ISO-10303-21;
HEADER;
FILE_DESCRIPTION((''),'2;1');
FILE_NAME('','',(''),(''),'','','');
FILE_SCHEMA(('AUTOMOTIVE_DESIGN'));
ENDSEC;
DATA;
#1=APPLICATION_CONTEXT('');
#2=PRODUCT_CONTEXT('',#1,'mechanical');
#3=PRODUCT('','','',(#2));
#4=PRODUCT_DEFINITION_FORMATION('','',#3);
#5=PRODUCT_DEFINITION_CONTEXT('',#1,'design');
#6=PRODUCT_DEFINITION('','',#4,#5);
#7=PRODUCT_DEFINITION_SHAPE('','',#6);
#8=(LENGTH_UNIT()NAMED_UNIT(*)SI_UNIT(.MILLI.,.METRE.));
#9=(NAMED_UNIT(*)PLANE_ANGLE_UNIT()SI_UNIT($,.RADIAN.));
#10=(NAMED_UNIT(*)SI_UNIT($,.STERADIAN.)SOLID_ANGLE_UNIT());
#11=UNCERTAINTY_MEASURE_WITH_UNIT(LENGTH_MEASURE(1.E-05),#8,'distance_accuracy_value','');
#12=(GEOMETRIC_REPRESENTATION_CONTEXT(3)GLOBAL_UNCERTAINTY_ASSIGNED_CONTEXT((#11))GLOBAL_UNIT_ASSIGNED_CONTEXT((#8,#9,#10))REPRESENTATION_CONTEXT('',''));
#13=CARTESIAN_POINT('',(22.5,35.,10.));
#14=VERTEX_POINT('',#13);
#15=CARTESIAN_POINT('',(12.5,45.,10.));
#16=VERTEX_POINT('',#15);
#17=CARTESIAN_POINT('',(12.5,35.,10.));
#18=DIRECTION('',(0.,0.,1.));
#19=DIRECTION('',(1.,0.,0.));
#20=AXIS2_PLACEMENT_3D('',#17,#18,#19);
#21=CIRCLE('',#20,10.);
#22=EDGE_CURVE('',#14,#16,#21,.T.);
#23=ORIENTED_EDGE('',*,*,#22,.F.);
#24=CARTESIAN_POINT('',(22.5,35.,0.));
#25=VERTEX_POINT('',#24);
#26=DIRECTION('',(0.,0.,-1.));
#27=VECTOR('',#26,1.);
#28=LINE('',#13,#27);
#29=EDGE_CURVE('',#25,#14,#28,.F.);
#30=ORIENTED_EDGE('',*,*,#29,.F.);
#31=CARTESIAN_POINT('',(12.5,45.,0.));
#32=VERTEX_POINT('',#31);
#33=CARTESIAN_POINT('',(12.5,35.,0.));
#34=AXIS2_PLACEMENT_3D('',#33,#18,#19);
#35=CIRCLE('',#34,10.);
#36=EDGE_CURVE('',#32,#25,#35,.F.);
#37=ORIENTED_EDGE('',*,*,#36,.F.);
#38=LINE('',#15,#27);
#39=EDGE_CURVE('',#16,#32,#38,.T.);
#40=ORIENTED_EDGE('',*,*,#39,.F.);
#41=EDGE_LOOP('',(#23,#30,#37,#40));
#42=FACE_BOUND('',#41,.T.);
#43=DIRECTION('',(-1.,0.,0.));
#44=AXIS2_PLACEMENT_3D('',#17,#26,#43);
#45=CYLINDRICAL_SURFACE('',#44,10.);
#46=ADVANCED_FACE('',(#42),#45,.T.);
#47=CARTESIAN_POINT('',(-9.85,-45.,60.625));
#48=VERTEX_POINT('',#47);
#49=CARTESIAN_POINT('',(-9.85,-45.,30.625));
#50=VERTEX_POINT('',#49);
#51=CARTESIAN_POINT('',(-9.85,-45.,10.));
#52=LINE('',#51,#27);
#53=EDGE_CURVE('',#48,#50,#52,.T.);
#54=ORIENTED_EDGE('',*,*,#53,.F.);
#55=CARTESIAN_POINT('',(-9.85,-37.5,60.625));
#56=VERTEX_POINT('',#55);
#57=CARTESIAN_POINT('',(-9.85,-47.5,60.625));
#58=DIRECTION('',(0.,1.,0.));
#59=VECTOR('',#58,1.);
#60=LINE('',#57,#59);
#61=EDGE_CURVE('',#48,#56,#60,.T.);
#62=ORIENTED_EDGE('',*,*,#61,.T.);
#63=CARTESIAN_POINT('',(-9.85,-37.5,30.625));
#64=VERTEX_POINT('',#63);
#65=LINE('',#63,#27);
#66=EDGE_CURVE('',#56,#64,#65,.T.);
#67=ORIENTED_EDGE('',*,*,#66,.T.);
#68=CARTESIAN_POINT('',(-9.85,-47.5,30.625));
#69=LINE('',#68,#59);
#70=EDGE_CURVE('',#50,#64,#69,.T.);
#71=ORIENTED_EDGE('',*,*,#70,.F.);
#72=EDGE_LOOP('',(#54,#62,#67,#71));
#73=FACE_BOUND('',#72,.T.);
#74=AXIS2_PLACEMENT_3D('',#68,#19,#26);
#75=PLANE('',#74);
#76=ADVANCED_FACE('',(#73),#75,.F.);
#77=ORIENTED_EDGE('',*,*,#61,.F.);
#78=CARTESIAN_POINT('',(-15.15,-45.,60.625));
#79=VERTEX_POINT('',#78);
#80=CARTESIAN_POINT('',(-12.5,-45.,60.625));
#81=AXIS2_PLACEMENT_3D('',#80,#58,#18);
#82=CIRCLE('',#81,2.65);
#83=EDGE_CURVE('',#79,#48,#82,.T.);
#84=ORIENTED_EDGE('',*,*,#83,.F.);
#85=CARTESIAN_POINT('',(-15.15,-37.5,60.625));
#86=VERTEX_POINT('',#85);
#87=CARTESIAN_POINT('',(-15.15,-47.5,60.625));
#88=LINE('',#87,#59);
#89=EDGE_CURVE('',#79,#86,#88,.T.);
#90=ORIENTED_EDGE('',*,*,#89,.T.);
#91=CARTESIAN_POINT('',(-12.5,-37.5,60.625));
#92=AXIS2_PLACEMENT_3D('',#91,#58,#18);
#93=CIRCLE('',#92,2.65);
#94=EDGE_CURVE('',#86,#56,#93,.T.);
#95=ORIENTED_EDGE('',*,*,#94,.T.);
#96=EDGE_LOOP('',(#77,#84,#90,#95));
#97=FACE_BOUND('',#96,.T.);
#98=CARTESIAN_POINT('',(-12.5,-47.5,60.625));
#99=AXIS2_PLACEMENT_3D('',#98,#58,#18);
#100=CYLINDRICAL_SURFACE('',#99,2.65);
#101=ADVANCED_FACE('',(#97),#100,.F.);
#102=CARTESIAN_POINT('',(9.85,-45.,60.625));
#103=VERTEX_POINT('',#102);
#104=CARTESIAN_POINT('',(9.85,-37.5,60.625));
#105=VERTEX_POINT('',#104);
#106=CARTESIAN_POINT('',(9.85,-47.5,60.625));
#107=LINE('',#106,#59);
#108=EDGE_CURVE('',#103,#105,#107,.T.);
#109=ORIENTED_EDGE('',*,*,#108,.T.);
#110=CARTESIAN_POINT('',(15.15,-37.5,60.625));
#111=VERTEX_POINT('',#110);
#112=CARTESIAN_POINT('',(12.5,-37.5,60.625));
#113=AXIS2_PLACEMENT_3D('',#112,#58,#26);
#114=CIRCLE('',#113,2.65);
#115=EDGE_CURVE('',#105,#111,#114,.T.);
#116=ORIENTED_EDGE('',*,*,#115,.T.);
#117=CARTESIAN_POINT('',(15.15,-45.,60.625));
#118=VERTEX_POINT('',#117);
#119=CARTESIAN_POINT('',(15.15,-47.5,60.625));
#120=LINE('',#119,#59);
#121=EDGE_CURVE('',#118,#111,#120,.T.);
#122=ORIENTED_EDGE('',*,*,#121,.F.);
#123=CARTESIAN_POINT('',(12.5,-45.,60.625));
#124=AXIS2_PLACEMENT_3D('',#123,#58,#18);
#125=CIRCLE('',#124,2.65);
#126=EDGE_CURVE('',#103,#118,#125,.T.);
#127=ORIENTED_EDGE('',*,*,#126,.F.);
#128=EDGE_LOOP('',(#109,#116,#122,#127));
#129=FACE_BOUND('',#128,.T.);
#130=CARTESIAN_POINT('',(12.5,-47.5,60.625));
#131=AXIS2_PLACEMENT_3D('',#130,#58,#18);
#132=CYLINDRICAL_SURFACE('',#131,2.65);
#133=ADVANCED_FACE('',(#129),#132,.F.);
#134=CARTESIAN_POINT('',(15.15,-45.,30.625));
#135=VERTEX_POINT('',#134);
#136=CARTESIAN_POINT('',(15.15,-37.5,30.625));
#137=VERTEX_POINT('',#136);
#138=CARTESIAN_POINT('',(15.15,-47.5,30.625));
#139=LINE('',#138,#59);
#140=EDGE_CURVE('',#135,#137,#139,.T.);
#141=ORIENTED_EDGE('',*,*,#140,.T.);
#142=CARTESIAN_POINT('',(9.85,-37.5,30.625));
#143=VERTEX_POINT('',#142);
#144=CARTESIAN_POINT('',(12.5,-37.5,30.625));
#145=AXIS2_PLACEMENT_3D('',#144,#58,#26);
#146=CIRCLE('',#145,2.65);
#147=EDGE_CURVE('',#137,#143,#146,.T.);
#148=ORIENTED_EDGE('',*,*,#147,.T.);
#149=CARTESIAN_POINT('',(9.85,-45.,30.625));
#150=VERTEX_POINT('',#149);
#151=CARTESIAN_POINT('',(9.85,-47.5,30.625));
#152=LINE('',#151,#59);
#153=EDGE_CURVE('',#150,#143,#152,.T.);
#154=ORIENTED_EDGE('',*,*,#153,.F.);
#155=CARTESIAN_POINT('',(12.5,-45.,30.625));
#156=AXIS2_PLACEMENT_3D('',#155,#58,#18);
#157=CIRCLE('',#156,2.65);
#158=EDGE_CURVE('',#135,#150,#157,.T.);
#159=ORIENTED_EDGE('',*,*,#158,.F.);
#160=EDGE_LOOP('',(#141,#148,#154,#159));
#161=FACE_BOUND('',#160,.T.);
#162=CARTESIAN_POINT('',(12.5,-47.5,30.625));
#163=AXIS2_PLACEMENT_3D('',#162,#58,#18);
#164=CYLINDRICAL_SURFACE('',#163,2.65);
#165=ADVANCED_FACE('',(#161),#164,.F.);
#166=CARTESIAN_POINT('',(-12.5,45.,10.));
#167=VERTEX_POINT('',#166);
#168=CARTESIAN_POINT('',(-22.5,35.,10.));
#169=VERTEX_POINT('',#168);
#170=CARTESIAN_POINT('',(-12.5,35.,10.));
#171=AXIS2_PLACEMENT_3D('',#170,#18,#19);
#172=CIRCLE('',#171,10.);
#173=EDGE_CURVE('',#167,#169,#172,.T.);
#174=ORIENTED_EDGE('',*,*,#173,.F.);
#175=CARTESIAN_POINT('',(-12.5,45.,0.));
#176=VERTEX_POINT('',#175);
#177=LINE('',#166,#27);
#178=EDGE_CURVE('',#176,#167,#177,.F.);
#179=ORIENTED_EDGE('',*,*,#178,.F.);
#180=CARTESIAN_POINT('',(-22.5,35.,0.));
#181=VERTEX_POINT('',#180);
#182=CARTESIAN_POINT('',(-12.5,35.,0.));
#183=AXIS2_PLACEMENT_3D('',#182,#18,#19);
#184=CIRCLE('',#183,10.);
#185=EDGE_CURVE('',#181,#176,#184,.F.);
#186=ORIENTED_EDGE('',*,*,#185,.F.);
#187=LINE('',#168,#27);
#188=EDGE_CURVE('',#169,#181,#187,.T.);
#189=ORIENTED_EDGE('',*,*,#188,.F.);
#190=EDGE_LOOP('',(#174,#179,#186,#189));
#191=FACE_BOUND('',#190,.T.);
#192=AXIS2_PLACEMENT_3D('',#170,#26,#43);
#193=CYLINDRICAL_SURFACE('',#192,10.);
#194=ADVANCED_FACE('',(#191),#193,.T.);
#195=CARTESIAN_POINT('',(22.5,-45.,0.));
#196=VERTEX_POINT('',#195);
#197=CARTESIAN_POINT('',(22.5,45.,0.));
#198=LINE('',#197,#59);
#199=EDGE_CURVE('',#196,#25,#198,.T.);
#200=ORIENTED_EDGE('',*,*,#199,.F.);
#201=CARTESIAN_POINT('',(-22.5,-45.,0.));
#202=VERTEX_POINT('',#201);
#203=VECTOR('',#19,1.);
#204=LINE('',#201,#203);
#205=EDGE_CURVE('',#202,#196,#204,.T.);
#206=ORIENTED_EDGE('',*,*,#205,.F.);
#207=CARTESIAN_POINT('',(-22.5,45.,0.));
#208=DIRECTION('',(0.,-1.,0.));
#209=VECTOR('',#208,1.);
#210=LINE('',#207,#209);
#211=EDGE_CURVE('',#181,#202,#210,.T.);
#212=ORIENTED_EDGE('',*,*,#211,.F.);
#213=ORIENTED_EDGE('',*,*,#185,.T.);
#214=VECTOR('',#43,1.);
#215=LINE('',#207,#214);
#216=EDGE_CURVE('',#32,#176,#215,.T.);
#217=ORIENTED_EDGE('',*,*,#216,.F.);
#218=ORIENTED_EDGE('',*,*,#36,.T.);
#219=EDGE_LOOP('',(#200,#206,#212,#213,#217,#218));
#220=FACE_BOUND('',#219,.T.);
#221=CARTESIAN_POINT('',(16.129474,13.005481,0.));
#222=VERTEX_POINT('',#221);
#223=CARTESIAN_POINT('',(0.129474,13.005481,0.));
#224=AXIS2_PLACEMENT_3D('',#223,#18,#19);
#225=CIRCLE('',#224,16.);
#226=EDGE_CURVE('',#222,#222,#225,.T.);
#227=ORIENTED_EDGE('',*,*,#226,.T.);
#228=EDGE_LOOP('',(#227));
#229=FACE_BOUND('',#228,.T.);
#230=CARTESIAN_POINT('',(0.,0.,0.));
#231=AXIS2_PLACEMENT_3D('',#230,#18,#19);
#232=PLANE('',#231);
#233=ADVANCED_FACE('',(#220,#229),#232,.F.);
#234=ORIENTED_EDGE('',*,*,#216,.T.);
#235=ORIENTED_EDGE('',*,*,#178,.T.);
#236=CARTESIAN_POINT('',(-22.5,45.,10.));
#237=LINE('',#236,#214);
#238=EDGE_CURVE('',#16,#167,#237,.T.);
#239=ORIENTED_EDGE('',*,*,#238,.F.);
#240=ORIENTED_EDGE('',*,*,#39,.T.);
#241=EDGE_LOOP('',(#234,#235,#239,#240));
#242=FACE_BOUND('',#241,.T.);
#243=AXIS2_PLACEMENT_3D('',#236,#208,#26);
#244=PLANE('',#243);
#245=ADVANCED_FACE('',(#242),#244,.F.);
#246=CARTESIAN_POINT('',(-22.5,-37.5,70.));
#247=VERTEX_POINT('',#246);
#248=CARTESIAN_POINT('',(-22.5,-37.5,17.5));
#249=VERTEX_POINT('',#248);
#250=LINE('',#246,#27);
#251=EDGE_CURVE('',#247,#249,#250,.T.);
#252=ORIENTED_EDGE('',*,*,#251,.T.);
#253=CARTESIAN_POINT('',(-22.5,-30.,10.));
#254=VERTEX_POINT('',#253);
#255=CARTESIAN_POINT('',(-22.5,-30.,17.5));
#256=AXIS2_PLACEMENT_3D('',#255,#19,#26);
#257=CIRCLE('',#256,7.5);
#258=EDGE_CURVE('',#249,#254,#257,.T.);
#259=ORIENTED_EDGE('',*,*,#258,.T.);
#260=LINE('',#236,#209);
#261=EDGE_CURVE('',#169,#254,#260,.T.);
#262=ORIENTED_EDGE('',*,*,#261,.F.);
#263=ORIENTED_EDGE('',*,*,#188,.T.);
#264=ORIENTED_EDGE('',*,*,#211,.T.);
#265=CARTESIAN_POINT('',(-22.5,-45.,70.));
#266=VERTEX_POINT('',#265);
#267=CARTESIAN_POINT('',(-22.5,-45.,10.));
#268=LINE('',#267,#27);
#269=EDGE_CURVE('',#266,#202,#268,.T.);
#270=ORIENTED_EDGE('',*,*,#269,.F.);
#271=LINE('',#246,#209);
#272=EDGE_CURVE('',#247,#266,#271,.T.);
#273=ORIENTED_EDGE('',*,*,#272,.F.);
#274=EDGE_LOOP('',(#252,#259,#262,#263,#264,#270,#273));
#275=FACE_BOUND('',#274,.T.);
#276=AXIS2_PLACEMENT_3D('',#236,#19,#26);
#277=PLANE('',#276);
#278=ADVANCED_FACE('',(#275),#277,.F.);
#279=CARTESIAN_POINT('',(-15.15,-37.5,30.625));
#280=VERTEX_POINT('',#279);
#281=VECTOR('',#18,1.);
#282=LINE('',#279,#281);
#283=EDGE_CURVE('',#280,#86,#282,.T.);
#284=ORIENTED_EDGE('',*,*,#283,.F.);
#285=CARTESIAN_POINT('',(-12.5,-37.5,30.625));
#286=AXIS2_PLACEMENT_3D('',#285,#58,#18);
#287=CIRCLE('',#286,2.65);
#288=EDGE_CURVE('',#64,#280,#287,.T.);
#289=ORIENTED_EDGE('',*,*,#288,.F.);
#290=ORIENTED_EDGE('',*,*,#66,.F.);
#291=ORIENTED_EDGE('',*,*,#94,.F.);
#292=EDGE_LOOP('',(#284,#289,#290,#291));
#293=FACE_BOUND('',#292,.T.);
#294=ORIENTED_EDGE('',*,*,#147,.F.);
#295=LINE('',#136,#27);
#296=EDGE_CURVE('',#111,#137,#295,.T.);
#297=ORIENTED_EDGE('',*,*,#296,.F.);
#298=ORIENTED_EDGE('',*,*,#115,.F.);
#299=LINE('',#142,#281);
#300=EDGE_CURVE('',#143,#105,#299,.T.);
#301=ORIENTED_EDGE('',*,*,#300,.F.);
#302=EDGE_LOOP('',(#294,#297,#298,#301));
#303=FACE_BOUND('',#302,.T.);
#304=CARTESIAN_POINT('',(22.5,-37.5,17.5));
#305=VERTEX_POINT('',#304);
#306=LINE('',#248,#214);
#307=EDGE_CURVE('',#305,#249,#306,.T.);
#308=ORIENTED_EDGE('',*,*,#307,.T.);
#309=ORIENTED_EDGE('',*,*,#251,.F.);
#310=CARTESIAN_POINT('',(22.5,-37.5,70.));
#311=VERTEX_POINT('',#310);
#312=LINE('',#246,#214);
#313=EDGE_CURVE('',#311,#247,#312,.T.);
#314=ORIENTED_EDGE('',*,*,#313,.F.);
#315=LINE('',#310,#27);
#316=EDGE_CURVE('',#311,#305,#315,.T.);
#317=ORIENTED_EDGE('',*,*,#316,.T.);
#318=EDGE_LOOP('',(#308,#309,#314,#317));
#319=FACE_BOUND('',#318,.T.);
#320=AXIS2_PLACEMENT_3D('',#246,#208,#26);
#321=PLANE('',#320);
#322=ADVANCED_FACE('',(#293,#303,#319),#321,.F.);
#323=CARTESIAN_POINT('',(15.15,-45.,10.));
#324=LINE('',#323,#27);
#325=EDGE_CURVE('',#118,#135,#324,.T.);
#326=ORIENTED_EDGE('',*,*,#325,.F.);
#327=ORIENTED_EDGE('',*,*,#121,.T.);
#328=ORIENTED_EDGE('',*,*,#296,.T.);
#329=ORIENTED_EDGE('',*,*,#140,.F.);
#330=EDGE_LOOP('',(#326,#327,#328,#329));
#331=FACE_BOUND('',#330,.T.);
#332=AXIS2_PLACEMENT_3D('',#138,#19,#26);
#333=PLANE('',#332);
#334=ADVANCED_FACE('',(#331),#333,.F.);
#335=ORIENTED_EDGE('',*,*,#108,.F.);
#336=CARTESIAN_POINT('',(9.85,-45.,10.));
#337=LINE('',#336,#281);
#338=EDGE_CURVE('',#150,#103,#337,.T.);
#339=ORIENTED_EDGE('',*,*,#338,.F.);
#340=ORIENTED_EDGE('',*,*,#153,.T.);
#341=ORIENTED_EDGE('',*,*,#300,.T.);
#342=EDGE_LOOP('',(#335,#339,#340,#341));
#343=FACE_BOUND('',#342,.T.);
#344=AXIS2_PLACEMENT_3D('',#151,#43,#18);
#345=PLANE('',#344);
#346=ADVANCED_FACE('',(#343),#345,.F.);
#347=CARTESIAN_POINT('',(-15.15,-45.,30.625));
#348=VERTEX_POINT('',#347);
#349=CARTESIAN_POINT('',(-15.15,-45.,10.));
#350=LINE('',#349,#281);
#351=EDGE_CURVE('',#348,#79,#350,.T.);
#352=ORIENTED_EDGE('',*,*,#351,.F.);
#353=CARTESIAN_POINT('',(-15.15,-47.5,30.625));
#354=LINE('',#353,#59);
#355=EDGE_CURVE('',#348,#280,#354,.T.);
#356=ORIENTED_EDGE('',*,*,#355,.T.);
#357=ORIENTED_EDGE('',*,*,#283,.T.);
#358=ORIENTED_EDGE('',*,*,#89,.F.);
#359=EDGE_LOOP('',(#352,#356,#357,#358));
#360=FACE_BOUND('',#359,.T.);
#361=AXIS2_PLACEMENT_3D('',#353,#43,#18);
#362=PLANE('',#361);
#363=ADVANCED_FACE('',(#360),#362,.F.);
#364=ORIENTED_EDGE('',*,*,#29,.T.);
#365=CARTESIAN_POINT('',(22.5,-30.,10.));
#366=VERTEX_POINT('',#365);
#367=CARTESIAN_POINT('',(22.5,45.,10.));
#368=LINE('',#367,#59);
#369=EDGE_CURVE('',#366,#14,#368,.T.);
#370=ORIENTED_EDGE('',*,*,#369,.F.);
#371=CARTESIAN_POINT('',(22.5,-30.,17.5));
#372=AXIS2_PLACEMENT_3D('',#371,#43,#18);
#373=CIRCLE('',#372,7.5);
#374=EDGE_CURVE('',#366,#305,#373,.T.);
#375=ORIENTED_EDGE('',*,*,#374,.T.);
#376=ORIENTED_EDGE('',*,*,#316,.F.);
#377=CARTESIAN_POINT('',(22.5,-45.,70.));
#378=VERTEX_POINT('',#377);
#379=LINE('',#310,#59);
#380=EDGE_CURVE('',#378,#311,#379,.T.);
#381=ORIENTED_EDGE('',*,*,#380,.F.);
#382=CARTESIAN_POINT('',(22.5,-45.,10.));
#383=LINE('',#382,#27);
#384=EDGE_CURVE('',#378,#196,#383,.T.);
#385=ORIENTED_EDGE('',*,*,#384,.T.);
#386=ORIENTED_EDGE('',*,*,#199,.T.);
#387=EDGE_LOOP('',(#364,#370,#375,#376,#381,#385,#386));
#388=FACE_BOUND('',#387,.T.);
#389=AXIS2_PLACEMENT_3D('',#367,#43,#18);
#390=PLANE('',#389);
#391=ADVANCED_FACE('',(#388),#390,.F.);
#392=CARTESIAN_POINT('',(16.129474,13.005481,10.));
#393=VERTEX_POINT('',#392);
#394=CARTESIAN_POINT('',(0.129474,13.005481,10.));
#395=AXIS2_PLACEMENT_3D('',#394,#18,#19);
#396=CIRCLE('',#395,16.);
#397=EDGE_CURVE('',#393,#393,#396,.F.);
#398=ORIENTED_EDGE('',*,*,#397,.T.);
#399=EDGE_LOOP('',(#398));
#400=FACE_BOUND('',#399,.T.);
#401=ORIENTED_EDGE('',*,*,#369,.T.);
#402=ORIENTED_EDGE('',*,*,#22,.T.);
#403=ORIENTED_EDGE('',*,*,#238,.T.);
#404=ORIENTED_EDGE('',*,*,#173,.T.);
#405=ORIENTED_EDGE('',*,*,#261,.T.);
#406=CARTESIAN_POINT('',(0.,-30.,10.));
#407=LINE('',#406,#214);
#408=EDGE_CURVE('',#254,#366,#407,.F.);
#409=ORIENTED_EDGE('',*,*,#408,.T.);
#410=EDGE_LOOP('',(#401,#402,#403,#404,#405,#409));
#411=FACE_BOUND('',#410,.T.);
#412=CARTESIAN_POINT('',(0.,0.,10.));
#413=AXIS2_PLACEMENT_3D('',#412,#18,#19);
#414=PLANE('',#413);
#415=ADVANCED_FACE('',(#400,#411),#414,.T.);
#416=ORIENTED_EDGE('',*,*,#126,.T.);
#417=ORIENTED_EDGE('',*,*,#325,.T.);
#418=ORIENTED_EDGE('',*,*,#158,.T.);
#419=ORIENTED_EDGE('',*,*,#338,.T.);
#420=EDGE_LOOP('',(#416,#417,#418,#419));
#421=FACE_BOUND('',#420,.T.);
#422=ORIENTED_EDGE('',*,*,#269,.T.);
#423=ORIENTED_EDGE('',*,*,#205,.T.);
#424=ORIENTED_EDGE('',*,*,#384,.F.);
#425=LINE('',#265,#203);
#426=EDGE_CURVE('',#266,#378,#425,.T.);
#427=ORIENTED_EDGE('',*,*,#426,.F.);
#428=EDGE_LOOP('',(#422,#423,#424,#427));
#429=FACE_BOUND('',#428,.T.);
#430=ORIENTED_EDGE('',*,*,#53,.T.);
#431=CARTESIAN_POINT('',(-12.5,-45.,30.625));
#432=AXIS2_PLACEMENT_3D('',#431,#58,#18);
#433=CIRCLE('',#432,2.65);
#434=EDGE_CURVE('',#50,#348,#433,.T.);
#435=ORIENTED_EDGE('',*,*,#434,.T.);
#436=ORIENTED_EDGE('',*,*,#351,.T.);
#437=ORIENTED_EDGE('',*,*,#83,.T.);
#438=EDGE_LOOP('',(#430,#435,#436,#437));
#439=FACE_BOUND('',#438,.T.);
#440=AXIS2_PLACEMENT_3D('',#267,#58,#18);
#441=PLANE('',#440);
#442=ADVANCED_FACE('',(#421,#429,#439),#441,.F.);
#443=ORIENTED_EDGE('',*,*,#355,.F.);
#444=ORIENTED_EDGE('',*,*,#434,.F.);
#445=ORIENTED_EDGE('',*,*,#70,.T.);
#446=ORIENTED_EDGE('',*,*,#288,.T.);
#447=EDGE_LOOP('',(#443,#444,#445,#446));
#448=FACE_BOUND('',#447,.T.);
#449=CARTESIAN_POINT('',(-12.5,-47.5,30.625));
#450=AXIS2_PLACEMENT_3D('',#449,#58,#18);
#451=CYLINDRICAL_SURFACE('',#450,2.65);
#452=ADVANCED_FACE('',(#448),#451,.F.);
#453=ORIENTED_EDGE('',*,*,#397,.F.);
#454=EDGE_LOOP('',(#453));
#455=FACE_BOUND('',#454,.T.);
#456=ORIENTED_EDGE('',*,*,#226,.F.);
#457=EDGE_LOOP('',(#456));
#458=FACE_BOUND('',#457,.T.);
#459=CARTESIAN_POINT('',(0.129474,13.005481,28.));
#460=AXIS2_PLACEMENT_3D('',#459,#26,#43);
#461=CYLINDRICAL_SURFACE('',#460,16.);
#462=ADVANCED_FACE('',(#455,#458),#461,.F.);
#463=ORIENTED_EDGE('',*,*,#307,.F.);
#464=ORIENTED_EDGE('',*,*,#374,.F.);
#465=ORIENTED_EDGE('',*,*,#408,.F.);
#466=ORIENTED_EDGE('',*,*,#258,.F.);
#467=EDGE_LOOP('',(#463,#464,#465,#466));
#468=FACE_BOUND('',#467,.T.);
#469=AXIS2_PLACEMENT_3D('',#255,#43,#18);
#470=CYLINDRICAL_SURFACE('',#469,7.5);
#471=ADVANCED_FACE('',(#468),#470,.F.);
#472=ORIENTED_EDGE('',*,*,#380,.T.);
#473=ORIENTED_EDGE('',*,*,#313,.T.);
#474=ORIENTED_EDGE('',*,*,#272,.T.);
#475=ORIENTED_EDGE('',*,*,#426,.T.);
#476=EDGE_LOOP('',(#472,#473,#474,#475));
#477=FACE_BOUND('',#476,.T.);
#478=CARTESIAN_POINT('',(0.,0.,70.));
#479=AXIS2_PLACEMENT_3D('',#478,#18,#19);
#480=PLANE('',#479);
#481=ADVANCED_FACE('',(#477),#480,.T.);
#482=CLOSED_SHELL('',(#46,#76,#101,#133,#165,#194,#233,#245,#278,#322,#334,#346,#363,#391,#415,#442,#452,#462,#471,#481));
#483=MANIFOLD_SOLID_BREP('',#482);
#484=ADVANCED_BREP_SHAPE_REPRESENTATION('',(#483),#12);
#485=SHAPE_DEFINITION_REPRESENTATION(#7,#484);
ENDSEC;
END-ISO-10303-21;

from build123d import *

# Parameters (mm, degrees)
SKETCH1_W           = 45
SKETCH1_H           = 90
BOSS_EXTRUDE1_DEPTH = 10
SKETCH2_R           = 16
CUT_EXTRUDE1_DEPTH  = 28
FILLET1_R           = 10
SKETCH3_W           = 45
SKETCH3_H           = 7.5
BOSS_EXTRUDE2_DEPTH = 60
FILLET2_R           = 7.5
CUT_EXTRUDE2_DEPTH  = 10


with BuildPart() as part:
    # Sketch1 → Boss-Extrude1 (new body)
    with BuildSketch(Plane.XY):
        Rectangle(SKETCH1_W, SKETCH1_H)
    extrude(amount=BOSS_EXTRUDE1_DEPTH)

    # Sketch2 → Cut-Extrude1 (cut)
    with BuildSketch(Plane.XY):
        with Locations((0.129474069, 13.005480981)):
            Circle(SKETCH2_R)
    extrude(amount=CUT_EXTRUDE1_DEPTH, mode=Mode.SUBTRACT)

    # Fillet1
    fillet1_edges = [part.edges().sort_by_distance(p)[0] for p in [
        (-22.5, 45, 5),
        (22.5, 45, 5),
    ]]
    fillet(fillet1_edges, radius=FILLET1_R)

    # Sketch3 → Boss-Extrude2 (add)
    with BuildSketch(Plane.XY.offset(10)):
        with Locations((0, -41.25)):
            Rectangle(SKETCH3_W, SKETCH3_H)
    extrude(amount=BOSS_EXTRUDE2_DEPTH)

    # Fillet2
    fillet2_edges = [part.edges().sort_by_distance(p)[0] for p in [
        (0, -37.5, 10),
    ]]
    fillet(fillet2_edges, radius=FILLET2_R)

    # Sketch4 → Cut-Extrude2 (cut)
    with BuildSketch(Plane(origin=(0, -37.5, 0), x_dir=(1, 0, 0), z_dir=(0, 1, 0))):
        with BuildLine():
            Line((-9.85, -30.625), (-9.85, -60.625))
            ThreePointArc((-9.85, -60.625), (-12.5, -63.275), (-15.15, -60.625))
            Line((-15.15, -60.625), (-15.15, -30.625))
            ThreePointArc((-15.15, -30.625), (-12.5, -27.975), (-9.85, -30.625))
        make_face()
        with BuildLine():
            Line((9.85, -30.625), (9.85, -60.625))
            ThreePointArc((9.85, -60.625), (12.5, -63.275), (15.15, -60.625))
            Line((15.15, -60.625), (15.15, -30.625))
            ThreePointArc((15.15, -30.625), (12.5, -27.975), (9.85, -30.625))
        make_face()
    extrude(amount=-CUT_EXTRUDE2_DEPTH, mode=Mode.SUBTRACT)


solid = part.part
